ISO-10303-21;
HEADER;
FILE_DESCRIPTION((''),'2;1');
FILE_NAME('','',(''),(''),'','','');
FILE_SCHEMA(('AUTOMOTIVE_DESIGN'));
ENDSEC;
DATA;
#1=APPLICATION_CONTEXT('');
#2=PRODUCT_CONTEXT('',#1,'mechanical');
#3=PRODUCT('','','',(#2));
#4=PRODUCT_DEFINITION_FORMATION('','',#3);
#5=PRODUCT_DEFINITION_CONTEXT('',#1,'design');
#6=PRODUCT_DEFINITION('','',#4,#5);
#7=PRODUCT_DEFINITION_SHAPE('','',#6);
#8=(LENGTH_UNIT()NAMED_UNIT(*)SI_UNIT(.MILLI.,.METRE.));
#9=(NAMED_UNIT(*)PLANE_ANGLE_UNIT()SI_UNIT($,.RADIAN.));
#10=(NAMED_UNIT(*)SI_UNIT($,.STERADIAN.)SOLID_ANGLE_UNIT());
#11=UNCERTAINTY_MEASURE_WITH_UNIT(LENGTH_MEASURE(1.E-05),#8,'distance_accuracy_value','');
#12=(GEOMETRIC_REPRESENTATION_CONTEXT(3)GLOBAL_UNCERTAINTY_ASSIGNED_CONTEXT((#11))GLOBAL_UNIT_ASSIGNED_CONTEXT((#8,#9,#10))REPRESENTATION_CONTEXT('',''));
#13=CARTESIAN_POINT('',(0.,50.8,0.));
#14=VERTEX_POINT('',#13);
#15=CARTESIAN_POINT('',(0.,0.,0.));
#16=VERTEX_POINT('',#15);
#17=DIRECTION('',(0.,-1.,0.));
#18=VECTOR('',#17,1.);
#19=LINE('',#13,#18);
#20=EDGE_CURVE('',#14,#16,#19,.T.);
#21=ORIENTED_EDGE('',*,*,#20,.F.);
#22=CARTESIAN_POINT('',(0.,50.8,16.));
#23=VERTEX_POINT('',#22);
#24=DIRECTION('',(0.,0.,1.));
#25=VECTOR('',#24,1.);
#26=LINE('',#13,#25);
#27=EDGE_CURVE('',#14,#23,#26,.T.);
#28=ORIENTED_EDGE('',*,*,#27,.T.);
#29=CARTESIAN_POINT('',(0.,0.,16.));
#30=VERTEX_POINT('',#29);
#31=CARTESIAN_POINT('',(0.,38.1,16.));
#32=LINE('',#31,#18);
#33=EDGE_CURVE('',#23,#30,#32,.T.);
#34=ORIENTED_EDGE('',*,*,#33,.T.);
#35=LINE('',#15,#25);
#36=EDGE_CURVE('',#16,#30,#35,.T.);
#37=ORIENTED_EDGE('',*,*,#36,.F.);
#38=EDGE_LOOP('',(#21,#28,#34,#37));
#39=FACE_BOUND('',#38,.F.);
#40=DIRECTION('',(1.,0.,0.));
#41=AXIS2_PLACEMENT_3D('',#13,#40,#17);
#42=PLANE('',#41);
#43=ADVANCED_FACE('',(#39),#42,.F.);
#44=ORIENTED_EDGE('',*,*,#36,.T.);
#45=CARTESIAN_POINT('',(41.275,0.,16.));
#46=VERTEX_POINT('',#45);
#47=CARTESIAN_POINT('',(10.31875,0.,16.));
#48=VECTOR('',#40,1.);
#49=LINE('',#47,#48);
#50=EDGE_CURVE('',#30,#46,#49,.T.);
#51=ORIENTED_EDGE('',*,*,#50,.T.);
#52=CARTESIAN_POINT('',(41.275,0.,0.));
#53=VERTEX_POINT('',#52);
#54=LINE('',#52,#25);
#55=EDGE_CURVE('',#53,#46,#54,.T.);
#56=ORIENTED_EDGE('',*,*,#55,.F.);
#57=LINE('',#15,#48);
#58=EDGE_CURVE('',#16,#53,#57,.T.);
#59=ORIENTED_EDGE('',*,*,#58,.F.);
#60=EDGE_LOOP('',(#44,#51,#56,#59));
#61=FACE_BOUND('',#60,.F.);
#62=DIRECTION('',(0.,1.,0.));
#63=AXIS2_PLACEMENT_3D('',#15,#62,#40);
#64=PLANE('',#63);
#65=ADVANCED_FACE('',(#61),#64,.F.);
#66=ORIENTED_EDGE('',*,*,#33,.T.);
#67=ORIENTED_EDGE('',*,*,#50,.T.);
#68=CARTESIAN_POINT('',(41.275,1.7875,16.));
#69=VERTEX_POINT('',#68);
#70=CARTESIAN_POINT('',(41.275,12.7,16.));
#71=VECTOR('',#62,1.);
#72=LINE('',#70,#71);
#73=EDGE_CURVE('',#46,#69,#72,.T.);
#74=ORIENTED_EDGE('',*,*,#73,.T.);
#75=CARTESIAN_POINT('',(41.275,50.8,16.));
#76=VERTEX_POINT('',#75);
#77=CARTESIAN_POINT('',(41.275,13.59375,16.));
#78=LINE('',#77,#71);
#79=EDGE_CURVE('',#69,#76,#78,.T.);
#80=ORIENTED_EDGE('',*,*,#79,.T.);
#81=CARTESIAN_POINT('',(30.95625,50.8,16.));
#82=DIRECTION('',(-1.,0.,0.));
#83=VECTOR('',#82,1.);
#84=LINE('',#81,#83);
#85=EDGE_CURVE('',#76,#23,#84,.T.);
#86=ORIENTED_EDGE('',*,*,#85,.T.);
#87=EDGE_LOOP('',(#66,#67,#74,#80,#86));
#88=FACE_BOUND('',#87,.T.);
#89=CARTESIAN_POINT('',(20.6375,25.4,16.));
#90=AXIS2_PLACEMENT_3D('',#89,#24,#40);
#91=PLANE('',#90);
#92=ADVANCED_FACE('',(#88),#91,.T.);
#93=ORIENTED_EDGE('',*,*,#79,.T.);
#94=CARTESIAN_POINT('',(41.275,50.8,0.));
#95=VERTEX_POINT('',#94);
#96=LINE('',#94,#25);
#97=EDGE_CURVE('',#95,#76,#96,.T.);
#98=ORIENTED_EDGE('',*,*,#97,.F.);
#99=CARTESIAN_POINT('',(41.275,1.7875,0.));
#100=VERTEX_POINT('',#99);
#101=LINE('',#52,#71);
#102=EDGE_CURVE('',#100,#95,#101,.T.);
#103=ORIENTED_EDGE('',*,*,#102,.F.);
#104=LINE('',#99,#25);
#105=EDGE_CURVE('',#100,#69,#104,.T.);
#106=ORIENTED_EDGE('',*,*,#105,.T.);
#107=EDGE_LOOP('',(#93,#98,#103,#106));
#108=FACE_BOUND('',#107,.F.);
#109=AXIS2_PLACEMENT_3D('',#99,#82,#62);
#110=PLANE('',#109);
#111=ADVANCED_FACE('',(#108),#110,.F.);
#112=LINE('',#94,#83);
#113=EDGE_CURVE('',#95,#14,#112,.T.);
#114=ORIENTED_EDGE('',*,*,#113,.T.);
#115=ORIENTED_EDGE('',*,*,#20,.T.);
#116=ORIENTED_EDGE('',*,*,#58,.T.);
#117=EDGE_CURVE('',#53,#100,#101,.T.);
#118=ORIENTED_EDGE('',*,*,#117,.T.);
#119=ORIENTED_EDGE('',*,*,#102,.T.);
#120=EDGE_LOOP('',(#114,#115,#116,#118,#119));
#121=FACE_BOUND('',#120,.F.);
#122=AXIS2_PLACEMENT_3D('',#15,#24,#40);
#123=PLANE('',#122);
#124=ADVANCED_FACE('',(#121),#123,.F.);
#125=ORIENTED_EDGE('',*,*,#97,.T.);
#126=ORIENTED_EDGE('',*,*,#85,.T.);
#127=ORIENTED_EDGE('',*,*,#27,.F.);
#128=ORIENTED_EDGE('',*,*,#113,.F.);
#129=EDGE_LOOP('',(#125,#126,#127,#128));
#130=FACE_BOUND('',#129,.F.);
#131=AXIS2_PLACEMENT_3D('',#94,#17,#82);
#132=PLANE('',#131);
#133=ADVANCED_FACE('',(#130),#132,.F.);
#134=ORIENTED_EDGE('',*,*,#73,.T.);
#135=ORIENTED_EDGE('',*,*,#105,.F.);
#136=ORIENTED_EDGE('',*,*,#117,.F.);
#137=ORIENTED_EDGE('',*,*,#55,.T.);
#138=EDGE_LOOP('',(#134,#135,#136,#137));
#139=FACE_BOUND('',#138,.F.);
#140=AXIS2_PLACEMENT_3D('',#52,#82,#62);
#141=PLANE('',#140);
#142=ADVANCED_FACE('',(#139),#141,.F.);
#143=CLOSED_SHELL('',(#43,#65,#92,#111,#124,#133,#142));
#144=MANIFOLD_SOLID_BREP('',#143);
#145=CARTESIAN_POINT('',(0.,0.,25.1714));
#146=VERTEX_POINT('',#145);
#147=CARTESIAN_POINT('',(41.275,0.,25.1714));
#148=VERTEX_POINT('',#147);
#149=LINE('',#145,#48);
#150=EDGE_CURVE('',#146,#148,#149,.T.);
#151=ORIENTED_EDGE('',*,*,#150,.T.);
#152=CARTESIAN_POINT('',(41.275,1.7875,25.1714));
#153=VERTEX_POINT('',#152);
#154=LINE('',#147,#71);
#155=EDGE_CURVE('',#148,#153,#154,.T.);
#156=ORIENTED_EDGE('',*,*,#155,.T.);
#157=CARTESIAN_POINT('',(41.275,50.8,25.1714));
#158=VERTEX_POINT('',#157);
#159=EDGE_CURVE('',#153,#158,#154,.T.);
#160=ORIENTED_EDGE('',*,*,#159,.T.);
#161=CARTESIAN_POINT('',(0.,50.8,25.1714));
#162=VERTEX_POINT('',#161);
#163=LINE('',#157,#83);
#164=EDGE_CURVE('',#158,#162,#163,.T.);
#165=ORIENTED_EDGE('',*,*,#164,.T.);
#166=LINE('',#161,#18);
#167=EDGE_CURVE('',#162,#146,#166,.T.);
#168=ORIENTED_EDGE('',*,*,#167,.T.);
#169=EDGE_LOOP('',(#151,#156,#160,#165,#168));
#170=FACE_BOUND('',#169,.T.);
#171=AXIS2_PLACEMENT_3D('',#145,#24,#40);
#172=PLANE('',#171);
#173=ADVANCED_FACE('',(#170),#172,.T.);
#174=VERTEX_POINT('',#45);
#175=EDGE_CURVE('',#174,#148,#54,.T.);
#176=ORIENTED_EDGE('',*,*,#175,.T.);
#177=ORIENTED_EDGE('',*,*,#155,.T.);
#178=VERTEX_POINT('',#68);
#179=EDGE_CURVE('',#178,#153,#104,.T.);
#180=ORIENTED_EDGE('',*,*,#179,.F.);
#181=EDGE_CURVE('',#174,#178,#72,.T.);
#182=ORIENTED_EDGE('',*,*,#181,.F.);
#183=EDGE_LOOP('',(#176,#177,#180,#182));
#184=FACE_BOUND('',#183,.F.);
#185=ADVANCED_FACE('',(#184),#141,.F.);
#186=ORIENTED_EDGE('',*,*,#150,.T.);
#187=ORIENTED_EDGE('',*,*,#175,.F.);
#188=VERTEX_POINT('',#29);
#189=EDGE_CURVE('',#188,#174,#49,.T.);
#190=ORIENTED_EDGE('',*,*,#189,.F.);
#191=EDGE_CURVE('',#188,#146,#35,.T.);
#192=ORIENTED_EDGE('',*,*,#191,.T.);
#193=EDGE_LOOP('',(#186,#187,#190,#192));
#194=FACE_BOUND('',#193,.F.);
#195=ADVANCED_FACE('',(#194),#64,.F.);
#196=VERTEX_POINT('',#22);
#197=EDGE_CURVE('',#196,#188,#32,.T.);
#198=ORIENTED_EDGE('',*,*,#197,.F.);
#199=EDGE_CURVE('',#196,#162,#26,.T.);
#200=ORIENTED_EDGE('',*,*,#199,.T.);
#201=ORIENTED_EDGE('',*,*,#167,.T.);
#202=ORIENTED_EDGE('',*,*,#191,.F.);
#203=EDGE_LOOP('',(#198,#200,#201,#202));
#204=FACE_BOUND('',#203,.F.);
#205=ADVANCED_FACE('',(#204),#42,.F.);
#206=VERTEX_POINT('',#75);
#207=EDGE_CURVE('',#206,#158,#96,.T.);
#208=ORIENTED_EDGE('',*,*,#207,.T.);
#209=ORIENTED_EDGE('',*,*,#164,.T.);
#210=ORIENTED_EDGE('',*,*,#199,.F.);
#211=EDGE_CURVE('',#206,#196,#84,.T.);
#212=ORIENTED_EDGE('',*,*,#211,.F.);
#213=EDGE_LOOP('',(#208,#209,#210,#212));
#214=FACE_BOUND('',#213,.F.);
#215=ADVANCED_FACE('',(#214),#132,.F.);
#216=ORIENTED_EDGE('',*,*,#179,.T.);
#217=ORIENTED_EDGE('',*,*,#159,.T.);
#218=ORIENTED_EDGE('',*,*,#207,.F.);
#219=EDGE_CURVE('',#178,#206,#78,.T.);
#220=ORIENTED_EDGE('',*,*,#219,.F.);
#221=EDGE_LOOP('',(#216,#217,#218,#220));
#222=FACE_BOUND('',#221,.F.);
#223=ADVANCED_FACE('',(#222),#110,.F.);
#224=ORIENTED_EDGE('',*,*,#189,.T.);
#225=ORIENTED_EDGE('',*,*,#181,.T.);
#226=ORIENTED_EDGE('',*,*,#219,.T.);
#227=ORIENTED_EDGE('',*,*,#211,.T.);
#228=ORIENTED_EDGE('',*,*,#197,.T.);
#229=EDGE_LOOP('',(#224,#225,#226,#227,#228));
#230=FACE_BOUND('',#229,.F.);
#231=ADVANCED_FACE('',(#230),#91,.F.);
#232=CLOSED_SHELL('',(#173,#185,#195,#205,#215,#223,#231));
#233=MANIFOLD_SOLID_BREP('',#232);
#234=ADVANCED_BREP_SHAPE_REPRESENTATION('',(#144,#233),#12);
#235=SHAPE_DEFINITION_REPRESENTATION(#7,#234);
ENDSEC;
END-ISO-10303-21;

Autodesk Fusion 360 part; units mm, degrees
sketch "Stock" plane through (0, 0, 0) normal (0, 0, 1) x (1, 0, 0)
  line L0 (0, 0) -> (41.275, 0)
  line L1 (41.275, 0) -> (41.275, 50.8)
  line L2 (41.275, 50.8) -> (0, 50.8)
  line L3 (0, 50.8) -> (0, 0)
  line L4 (44.45, 1.7875) -> (44.45, 51)
  arc A0 (44.45, 51) -> (41.275, 51) centre (42.8625, 51) ccw
  line L5 (41.275, 51) -> (41.275, 1.7875)
  arc A1 (41.275, 1.7875) -> (44.45, 1.7875) centre (42.8625, 1.7875) ccw
  line L6 (42.8625, 0.2) -> (42.8625, 52.5875) construction
  line L7 (41.275, 51) -> (41.275, -0.2)
  arc A2 (41.275, -0.2) -> (44.45, -0.2) centre (42.8625, -0.2) ccw
  line L8 (44.45, -0.2) -> (44.45, 51)
  arc A3 (44.45, 51) -> (41.275, 51) centre (42.8625, 51) ccw
  line L9 (42.8625, 52.5875) -> (42.8625, -1.7875) construction
  line L10 (44.45, 53.1813) -> (-2.3813, 53.1813)
  line L11 (-2.3812, 53.1813) -> (-2.3813, -2.3813)
  line L12 (-2.3813, -2.3813) -> (44.45, -2.3813)
  line L13 (44.45, -2.3813) -> (44.45, 53.1813)
  line L14 (0, 25.4) -> (41.275, 25.4) construction
  dimension "d5" = 41.275
  dimension "d6" = 50.8
  dimension "d13" = 3.175
  dimension "d14" = 0.2
  dimension "d15" = 0.2
  dimension "d16" = 0.2
  dimension "d22" = 2.3813
  dimension "d23" = 2.3813
extrude "Extrude1" add sketch "Stock" along normal blind 25.1714 contours L0 L1 L2 L3 L5 L7 makes body 1
ref_plane "WorkPlane1" through (20.6375, 25.4, 16) normal (0, 0, 1) x (1, 0, 0)
split "Split1" by plane through (20.6375, 25.4, 16) normal (0, 0, 1) bodies 1 makes body 2 at (13.7583, 17.5292, 16)
equation "STOCK_Y = 2 in"
equation "STOCK_X = 1.625 in"
equation "STOCK_Z = 0.991 in"
equation "ENDMILL_DIAMETER = 0.125 in"
equation "d5 = STOCK_X"
equation "d6 = STOCK_Y"
equation "d10 = STOCK_Z"
equation "d13 = ENDMILL_DIAMETER"
equation "CORNER_HEIGHT = 6 mm"
equation "ENDMILL_LENGTH = 18 in"
equation "CUT_DEPTH = min(ENDMILL_LENGTH; STOCK_Z / 2)"
equation "FACE_Z = 16 mm"
equation "d21 = FACE_Z"
equation "d22 = ENDMILL_DIAMETER * 0.75"
equation "d23 = ENDMILL_DIAMETER * 0.75"
properties part number "1.625x2y-16"
